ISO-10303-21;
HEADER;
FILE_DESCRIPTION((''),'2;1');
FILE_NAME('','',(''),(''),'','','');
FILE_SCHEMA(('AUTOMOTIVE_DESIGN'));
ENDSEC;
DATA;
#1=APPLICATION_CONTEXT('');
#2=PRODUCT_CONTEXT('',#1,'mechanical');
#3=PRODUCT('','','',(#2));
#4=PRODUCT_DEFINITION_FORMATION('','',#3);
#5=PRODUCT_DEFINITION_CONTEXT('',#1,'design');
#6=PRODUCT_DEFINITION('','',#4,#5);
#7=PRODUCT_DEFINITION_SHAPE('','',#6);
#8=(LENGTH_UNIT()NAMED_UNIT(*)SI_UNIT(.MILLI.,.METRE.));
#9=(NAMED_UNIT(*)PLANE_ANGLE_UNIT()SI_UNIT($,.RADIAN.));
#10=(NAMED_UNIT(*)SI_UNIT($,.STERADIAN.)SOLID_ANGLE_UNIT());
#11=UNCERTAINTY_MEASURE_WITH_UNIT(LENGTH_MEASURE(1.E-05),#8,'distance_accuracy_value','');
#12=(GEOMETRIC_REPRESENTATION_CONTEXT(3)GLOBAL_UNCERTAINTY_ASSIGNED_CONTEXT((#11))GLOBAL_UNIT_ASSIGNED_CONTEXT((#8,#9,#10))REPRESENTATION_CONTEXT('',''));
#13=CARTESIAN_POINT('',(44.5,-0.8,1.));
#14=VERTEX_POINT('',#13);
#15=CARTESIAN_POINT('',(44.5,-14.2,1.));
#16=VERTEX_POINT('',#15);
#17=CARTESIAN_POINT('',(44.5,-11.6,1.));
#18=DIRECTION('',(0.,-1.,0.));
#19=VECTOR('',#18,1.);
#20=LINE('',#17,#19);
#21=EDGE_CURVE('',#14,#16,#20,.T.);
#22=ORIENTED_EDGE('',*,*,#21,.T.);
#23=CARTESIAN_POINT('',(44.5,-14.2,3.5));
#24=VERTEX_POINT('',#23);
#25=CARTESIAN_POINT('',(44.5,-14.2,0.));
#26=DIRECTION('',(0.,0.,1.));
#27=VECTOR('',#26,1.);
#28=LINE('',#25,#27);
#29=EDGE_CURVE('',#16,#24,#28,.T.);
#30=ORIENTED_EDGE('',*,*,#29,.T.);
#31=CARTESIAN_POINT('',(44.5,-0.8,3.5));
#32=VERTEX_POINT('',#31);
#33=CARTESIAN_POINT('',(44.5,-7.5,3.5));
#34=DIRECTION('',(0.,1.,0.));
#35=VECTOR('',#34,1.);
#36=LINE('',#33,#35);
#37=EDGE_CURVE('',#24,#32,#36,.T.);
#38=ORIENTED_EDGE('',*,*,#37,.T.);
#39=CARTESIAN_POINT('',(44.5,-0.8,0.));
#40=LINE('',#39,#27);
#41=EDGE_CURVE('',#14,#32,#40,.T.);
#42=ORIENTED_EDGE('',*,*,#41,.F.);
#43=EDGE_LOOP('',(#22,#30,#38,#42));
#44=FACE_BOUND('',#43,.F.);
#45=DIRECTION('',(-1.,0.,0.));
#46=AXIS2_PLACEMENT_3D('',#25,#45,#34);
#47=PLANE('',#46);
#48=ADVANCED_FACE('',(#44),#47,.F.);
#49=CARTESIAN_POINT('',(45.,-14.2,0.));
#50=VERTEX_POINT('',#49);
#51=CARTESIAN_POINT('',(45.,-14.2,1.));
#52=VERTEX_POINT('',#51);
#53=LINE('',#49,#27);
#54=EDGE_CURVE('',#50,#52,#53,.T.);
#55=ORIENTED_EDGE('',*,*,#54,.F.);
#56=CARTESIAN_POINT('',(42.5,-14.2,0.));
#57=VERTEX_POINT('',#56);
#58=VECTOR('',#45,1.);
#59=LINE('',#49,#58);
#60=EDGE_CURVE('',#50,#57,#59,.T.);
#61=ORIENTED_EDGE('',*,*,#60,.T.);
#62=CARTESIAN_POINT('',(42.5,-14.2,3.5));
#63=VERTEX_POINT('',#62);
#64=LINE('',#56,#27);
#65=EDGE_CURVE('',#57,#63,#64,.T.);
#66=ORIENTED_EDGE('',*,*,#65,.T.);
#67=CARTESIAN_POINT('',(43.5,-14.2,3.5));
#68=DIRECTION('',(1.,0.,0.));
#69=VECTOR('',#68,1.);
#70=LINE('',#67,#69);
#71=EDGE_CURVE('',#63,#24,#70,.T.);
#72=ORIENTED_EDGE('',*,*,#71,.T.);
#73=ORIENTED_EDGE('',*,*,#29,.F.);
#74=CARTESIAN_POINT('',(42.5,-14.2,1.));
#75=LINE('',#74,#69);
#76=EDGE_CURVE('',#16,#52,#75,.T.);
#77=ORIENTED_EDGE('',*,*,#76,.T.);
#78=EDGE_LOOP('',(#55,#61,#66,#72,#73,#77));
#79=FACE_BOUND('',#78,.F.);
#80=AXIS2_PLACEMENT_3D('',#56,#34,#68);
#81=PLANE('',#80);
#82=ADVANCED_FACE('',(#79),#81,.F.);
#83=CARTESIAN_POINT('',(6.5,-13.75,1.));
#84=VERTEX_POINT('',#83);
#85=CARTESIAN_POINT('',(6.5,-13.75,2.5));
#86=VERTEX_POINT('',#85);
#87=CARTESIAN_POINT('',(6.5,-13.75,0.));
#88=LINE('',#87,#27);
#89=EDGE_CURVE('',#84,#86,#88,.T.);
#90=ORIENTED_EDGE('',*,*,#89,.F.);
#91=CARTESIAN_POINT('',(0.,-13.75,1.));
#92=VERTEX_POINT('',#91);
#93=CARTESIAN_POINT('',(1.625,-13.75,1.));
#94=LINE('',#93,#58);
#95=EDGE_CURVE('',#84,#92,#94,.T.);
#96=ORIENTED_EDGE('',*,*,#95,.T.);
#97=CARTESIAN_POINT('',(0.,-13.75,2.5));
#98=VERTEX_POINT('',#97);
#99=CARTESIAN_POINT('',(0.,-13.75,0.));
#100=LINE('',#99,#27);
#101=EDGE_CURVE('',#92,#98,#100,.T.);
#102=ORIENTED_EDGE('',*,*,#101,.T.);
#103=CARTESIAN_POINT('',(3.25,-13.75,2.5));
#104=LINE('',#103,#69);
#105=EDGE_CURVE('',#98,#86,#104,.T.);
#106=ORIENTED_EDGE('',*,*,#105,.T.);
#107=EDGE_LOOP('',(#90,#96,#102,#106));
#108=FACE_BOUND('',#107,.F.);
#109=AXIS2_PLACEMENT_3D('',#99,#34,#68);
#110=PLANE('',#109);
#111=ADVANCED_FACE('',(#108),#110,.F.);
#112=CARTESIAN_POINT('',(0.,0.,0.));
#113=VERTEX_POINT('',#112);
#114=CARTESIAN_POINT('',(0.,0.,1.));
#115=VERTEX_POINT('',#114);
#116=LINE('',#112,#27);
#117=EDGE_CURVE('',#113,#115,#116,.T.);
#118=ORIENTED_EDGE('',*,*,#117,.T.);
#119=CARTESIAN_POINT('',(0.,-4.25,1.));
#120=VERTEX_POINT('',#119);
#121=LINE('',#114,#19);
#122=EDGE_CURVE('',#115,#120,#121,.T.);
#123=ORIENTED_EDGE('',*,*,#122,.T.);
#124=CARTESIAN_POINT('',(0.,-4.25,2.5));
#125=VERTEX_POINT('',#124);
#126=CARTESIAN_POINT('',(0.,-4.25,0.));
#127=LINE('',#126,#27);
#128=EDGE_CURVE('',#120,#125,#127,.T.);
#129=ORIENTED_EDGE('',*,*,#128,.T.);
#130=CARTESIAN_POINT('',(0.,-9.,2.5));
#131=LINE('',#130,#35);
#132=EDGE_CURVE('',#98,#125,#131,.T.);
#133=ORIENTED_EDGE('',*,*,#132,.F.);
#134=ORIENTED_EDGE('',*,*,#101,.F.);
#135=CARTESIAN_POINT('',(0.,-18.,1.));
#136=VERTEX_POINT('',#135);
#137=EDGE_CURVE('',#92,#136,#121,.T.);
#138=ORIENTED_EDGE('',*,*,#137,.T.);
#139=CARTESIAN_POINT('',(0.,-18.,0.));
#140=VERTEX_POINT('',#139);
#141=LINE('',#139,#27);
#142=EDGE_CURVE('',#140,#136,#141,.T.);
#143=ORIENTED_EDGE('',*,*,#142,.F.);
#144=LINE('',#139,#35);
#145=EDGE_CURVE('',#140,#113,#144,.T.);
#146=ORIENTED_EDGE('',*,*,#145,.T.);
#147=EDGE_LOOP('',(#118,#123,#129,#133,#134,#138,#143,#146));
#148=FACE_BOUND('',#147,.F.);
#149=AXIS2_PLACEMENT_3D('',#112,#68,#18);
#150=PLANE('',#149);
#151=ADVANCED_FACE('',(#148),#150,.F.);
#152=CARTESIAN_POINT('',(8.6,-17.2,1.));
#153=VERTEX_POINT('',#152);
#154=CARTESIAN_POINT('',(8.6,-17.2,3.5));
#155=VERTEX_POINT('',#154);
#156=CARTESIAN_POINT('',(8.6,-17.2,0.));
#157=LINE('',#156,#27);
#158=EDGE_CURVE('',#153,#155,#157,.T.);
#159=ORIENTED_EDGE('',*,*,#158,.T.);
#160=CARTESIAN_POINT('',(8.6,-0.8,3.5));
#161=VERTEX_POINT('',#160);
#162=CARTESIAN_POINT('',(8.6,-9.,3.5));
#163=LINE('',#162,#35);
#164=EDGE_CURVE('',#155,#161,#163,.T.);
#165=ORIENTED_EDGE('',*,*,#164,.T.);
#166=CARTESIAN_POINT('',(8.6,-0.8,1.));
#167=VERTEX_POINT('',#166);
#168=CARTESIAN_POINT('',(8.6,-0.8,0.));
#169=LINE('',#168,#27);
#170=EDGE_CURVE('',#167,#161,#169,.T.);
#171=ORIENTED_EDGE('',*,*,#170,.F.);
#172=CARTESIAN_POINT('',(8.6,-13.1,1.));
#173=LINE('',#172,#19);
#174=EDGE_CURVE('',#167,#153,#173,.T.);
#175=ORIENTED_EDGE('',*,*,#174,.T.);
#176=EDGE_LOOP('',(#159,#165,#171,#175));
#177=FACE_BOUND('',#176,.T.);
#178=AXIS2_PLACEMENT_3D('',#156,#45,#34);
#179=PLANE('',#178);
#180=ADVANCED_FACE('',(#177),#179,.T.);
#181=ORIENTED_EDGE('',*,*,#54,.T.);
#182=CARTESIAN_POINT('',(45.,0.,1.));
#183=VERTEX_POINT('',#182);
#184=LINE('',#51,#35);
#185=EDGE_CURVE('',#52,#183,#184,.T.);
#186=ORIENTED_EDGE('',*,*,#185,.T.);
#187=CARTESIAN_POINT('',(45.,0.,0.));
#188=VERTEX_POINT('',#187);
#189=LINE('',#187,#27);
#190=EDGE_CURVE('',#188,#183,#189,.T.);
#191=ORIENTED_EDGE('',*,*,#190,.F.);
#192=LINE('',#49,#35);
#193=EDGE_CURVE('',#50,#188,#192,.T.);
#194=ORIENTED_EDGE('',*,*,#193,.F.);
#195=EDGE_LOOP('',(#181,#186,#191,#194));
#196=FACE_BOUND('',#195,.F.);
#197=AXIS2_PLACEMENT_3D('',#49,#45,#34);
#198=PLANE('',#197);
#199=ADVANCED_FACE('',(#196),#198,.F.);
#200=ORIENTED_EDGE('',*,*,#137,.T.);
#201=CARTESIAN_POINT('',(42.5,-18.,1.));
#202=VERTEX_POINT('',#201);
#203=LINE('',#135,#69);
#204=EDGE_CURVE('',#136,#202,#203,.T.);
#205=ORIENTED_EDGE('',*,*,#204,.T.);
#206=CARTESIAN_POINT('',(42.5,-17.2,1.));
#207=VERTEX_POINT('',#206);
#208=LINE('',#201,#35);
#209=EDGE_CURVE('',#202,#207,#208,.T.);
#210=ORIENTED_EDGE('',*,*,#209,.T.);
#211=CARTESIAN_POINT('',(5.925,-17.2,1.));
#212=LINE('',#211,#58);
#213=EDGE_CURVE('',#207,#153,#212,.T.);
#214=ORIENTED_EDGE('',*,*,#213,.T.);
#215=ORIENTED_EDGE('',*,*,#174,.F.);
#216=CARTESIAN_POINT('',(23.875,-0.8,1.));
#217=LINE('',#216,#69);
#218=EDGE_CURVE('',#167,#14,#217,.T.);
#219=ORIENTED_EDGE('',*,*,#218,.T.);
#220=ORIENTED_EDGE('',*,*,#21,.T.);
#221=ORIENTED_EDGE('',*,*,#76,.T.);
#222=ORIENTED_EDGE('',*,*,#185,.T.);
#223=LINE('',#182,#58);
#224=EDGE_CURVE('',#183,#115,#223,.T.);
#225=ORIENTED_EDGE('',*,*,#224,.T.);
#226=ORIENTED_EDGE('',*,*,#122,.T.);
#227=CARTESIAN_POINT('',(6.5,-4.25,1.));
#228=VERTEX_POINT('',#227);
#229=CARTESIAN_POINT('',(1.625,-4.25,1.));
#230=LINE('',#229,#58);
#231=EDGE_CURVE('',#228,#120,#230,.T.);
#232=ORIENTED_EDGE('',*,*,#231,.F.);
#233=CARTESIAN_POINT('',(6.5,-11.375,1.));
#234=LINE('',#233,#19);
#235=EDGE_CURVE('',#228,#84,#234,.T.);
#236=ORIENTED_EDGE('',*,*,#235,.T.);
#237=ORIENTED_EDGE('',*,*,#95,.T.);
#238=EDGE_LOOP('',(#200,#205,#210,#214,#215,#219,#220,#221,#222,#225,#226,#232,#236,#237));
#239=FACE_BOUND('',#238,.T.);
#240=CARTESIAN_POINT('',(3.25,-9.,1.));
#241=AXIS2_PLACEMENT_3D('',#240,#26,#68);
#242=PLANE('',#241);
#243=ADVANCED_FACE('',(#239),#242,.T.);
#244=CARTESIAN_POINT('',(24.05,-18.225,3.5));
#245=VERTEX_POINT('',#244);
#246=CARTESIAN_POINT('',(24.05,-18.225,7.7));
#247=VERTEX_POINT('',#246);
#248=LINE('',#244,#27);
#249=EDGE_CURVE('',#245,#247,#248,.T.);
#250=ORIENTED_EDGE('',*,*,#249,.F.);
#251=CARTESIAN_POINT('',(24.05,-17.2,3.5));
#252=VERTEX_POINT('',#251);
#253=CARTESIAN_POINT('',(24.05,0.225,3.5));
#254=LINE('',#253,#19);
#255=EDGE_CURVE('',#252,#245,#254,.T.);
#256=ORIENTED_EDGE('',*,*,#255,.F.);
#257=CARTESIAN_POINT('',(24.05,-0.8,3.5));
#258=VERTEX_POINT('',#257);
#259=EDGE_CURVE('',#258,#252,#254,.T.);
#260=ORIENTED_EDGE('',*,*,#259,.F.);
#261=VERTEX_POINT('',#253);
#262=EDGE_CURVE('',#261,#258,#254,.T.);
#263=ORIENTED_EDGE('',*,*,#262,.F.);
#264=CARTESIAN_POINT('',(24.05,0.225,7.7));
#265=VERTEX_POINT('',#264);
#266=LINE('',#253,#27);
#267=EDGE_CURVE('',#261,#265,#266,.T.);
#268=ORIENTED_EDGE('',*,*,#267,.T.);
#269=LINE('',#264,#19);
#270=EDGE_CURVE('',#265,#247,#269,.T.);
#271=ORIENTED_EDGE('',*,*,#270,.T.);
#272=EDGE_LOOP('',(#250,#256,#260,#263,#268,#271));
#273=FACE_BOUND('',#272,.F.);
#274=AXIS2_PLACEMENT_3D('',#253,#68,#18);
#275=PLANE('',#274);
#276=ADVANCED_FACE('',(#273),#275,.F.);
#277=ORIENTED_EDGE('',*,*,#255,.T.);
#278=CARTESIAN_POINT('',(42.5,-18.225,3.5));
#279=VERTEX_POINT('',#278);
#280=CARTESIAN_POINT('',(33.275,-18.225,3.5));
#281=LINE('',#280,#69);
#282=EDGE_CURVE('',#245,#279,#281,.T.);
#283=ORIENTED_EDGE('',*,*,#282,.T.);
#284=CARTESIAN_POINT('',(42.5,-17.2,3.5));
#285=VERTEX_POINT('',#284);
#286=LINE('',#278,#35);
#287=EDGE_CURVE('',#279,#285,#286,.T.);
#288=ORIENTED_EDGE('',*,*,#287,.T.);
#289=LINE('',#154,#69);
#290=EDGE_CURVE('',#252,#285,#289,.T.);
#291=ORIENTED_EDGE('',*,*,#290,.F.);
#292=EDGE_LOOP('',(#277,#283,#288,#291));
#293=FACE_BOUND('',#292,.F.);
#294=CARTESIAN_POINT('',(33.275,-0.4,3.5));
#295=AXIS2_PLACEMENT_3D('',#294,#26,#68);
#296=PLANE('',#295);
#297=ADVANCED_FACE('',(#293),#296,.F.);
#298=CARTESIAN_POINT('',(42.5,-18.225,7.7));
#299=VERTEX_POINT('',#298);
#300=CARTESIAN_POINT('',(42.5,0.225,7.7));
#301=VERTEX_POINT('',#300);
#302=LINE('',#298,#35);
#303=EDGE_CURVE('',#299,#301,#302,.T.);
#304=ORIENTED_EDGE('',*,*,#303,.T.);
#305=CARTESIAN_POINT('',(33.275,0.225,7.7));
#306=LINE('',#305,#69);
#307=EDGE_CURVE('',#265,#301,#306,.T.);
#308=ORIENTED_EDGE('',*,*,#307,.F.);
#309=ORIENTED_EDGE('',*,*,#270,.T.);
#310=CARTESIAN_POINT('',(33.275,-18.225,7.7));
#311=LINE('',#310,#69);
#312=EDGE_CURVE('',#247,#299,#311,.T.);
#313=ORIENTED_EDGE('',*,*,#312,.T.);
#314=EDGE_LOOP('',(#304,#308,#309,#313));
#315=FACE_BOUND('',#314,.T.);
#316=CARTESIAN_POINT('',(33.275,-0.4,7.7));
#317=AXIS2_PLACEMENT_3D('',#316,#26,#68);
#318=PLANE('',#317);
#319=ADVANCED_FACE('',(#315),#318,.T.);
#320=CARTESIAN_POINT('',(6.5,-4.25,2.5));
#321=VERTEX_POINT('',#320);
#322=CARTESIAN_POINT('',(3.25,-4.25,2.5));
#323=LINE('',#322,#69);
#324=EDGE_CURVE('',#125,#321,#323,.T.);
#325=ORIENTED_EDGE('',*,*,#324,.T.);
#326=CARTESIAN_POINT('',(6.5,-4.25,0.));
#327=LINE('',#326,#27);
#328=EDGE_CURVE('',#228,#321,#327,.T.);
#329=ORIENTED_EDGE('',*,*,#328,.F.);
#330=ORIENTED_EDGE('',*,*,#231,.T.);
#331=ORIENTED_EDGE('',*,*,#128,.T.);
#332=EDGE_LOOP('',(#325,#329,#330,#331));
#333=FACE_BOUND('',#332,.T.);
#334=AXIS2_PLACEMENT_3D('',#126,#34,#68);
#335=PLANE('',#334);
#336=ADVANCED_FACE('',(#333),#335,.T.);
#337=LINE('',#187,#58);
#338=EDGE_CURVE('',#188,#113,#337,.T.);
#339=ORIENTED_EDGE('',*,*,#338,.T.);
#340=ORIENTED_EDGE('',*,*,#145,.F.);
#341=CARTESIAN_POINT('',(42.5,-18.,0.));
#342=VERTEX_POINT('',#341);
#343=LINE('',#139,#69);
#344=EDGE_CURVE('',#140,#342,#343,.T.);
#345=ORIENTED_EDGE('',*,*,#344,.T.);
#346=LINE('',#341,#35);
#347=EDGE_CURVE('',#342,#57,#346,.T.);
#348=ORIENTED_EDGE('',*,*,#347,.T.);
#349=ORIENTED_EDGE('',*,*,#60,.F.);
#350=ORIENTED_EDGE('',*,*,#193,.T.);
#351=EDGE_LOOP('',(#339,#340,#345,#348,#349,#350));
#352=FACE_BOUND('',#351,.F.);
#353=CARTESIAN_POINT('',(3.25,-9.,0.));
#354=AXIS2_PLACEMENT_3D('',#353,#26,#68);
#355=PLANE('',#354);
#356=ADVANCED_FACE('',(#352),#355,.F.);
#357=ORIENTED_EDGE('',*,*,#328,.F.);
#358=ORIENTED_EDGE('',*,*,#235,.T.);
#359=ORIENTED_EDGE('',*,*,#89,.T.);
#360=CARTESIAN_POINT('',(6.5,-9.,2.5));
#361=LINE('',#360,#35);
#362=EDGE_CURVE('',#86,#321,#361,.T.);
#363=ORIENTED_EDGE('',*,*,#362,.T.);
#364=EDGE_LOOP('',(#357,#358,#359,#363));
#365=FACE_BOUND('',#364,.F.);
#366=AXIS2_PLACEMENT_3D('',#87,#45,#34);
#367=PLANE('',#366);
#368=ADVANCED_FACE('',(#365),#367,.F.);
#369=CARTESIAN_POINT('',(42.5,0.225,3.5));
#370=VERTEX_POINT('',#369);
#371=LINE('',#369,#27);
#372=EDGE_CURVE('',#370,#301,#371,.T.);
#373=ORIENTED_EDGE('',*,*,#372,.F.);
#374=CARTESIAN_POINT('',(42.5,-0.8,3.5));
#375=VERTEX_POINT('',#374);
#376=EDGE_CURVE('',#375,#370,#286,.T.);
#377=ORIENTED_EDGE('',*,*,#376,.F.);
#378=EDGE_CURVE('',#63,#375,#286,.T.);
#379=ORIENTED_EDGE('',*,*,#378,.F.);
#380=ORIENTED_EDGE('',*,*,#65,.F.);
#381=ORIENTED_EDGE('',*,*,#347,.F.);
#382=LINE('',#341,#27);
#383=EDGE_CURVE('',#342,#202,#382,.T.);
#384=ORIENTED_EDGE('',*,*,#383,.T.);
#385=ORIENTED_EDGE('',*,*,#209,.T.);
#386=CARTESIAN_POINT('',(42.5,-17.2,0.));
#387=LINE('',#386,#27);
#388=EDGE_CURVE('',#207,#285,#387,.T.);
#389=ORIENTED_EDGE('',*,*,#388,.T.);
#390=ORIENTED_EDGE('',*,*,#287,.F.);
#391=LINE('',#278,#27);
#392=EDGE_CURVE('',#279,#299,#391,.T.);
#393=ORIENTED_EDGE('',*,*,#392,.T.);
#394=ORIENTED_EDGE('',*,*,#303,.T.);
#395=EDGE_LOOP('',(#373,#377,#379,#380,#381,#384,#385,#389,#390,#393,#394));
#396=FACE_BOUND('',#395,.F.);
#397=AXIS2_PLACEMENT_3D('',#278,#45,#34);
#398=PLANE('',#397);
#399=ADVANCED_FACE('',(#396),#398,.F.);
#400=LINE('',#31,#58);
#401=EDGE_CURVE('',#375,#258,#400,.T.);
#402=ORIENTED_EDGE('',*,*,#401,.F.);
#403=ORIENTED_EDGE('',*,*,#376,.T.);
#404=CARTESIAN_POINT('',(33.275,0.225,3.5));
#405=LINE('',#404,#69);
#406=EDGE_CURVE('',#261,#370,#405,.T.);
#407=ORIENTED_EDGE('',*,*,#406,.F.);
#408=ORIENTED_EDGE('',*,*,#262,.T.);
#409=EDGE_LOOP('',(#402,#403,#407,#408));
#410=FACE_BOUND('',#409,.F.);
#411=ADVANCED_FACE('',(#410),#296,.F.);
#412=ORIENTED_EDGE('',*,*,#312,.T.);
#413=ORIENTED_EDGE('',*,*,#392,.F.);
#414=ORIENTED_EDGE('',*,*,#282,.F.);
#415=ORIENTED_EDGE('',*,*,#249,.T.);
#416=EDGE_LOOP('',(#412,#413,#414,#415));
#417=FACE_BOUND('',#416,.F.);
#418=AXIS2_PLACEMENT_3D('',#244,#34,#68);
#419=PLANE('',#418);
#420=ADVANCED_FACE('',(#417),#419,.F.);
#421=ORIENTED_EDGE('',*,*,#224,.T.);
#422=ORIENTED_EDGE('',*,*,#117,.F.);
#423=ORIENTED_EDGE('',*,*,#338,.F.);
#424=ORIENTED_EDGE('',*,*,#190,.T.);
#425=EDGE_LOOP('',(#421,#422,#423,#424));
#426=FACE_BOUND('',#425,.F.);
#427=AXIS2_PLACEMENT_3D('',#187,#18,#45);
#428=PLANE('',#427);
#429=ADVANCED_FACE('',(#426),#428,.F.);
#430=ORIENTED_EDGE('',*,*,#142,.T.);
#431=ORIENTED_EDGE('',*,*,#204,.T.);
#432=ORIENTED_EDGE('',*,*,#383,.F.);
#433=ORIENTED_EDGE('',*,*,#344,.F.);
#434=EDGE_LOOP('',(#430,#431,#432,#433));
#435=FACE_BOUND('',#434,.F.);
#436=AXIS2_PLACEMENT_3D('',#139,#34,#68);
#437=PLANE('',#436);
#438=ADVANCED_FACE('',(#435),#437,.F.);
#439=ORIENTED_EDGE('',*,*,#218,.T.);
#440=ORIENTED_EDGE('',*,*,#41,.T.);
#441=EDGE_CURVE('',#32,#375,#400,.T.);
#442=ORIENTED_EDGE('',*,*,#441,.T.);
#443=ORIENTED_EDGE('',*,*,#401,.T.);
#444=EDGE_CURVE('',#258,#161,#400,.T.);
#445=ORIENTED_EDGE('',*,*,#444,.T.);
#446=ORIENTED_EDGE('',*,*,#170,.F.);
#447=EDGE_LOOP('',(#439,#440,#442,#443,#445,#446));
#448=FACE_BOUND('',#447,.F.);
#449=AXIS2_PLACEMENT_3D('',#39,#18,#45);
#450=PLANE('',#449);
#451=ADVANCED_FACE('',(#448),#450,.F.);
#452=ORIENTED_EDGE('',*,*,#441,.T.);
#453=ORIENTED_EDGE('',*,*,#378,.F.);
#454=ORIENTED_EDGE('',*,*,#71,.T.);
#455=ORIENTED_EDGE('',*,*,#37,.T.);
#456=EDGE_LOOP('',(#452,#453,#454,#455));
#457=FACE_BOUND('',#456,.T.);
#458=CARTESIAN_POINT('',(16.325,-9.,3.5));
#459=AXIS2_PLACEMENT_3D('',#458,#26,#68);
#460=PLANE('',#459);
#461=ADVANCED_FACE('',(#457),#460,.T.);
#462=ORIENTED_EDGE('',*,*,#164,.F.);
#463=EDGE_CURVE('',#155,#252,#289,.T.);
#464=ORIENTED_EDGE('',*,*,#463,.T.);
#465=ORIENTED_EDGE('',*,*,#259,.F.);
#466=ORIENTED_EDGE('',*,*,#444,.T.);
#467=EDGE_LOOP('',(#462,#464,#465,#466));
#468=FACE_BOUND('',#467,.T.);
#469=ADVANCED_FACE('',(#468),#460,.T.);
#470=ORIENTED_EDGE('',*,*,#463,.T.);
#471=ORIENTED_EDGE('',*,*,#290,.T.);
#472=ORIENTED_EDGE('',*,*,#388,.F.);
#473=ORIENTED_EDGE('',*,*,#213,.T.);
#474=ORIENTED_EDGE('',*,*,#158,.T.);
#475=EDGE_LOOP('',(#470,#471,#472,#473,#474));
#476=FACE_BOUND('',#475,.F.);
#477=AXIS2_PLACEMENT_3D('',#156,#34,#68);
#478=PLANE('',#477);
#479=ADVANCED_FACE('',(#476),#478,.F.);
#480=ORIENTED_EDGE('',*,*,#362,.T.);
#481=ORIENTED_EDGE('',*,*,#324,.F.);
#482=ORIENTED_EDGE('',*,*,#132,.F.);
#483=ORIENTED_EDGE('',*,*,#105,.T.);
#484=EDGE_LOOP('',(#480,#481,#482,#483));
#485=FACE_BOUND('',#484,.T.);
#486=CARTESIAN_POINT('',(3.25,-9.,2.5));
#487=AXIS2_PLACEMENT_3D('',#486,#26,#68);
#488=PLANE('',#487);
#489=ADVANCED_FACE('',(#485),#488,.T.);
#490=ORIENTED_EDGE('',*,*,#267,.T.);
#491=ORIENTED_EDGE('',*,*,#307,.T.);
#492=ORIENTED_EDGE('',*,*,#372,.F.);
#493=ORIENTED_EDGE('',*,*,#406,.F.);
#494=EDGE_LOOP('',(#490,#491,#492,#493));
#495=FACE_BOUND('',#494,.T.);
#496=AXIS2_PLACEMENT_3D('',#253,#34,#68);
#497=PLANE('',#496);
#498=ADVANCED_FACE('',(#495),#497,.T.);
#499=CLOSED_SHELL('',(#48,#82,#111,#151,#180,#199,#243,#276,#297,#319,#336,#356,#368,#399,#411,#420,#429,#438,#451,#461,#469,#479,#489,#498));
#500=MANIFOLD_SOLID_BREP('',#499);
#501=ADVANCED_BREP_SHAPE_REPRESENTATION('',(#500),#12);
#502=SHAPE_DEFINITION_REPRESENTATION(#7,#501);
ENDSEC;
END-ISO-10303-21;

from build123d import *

# Parameters (mm, degrees)
F0_W     = 6.5
F0_H     = 9.5
F0_W_2   = 2
F0_H_2   = 13.4
F0_W_3   = 15.45
F0_H_3   = 16.4
F0_W_4   = 18.45
F0_H_4   = 0.8
F1_DEPTH = 1
F2_DEPTH = 3.5
F3_START = 3.5
F0_H_5   = 0.225
F3_DEPTH = 4.2
F4_DEPTH = 2.5


with BuildPart() as f1:
    # F0 (on Top) → F1 (new body)
    with BuildSketch(Plane.XY):
        with Locations((3.25, -9)):
            Rectangle(F0_W, F0_H)
        with Locations((43.5, -7.5)):
            Rectangle(F0_W_2, F0_H_2)
        Polygon((45, 0), (42.5, 0), (42.5, -0.8), (44.5, -0.8), (44.5, -14.2), (45, -14.2), align=None)
        with Locations((16.325, -9)):
            Rectangle(F0_W_3, F0_H_3)
        Polygon((42.5, -0.8), (24.05, -0.8), (24.05, -17.2), (42.5, -17.2), (42.5, -14.2), align=None)
        with Locations((33.275, -0.4)):
            Rectangle(F0_W_4, F0_H_4)
        Polygon((24.05, 0), (0, 0), (0, -4.25), (6.5, -4.25), (6.5, -13.75), (0, -13.75), (0, -18), (24.05, -18), (24.05, -17.2), (8.6, -17.2), (8.6, -0.8), (24.05, -0.8), align=None)
        with Locations((33.275, -17.6)):
            Rectangle(F0_W_4, F0_H_4)
    extrude(amount=F1_DEPTH)

    # F0 (on Top) → F2 (join)
    with BuildSketch(Plane.XY):
        with Locations((16.325, -9)):
            Rectangle(F0_W_3, F0_H_3)
        Polygon((42.5, -0.8), (24.05, -0.8), (24.05, -17.2), (42.5, -17.2), (42.5, -14.2), align=None)
        with Locations((43.5, -7.5)):
            Rectangle(F0_W_2, F0_H_2)
    extrude(amount=F2_DEPTH)

    # F0 (on Top) → F3 (join)
    with BuildSketch(Plane.XY.offset(F3_START)):
        with Locations((33.275, -0.4)):
            Rectangle(F0_W_4, F0_H_4)
        with Locations((33.275, 0.1125)):
            Rectangle(F0_W_4, F0_H_5)
        Polygon((42.5, -0.8), (24.05, -0.8), (24.05, -17.2), (42.5, -17.2), (42.5, -14.2), align=None)
        with Locations((33.275, -17.6)):
            Rectangle(F0_W_4, F0_H_4)
        with Locations((33.275, -18.1125)):
            Rectangle(F0_W_4, F0_H_5)
    extrude(amount=F3_DEPTH)

    # F0 (on Top) → F4 (join)
    with BuildSketch(Plane.XY):
        with Locations((3.25, -9)):
            Rectangle(F0_W, F0_H)
    extrude(amount=F4_DEPTH)


solid = f1.part
